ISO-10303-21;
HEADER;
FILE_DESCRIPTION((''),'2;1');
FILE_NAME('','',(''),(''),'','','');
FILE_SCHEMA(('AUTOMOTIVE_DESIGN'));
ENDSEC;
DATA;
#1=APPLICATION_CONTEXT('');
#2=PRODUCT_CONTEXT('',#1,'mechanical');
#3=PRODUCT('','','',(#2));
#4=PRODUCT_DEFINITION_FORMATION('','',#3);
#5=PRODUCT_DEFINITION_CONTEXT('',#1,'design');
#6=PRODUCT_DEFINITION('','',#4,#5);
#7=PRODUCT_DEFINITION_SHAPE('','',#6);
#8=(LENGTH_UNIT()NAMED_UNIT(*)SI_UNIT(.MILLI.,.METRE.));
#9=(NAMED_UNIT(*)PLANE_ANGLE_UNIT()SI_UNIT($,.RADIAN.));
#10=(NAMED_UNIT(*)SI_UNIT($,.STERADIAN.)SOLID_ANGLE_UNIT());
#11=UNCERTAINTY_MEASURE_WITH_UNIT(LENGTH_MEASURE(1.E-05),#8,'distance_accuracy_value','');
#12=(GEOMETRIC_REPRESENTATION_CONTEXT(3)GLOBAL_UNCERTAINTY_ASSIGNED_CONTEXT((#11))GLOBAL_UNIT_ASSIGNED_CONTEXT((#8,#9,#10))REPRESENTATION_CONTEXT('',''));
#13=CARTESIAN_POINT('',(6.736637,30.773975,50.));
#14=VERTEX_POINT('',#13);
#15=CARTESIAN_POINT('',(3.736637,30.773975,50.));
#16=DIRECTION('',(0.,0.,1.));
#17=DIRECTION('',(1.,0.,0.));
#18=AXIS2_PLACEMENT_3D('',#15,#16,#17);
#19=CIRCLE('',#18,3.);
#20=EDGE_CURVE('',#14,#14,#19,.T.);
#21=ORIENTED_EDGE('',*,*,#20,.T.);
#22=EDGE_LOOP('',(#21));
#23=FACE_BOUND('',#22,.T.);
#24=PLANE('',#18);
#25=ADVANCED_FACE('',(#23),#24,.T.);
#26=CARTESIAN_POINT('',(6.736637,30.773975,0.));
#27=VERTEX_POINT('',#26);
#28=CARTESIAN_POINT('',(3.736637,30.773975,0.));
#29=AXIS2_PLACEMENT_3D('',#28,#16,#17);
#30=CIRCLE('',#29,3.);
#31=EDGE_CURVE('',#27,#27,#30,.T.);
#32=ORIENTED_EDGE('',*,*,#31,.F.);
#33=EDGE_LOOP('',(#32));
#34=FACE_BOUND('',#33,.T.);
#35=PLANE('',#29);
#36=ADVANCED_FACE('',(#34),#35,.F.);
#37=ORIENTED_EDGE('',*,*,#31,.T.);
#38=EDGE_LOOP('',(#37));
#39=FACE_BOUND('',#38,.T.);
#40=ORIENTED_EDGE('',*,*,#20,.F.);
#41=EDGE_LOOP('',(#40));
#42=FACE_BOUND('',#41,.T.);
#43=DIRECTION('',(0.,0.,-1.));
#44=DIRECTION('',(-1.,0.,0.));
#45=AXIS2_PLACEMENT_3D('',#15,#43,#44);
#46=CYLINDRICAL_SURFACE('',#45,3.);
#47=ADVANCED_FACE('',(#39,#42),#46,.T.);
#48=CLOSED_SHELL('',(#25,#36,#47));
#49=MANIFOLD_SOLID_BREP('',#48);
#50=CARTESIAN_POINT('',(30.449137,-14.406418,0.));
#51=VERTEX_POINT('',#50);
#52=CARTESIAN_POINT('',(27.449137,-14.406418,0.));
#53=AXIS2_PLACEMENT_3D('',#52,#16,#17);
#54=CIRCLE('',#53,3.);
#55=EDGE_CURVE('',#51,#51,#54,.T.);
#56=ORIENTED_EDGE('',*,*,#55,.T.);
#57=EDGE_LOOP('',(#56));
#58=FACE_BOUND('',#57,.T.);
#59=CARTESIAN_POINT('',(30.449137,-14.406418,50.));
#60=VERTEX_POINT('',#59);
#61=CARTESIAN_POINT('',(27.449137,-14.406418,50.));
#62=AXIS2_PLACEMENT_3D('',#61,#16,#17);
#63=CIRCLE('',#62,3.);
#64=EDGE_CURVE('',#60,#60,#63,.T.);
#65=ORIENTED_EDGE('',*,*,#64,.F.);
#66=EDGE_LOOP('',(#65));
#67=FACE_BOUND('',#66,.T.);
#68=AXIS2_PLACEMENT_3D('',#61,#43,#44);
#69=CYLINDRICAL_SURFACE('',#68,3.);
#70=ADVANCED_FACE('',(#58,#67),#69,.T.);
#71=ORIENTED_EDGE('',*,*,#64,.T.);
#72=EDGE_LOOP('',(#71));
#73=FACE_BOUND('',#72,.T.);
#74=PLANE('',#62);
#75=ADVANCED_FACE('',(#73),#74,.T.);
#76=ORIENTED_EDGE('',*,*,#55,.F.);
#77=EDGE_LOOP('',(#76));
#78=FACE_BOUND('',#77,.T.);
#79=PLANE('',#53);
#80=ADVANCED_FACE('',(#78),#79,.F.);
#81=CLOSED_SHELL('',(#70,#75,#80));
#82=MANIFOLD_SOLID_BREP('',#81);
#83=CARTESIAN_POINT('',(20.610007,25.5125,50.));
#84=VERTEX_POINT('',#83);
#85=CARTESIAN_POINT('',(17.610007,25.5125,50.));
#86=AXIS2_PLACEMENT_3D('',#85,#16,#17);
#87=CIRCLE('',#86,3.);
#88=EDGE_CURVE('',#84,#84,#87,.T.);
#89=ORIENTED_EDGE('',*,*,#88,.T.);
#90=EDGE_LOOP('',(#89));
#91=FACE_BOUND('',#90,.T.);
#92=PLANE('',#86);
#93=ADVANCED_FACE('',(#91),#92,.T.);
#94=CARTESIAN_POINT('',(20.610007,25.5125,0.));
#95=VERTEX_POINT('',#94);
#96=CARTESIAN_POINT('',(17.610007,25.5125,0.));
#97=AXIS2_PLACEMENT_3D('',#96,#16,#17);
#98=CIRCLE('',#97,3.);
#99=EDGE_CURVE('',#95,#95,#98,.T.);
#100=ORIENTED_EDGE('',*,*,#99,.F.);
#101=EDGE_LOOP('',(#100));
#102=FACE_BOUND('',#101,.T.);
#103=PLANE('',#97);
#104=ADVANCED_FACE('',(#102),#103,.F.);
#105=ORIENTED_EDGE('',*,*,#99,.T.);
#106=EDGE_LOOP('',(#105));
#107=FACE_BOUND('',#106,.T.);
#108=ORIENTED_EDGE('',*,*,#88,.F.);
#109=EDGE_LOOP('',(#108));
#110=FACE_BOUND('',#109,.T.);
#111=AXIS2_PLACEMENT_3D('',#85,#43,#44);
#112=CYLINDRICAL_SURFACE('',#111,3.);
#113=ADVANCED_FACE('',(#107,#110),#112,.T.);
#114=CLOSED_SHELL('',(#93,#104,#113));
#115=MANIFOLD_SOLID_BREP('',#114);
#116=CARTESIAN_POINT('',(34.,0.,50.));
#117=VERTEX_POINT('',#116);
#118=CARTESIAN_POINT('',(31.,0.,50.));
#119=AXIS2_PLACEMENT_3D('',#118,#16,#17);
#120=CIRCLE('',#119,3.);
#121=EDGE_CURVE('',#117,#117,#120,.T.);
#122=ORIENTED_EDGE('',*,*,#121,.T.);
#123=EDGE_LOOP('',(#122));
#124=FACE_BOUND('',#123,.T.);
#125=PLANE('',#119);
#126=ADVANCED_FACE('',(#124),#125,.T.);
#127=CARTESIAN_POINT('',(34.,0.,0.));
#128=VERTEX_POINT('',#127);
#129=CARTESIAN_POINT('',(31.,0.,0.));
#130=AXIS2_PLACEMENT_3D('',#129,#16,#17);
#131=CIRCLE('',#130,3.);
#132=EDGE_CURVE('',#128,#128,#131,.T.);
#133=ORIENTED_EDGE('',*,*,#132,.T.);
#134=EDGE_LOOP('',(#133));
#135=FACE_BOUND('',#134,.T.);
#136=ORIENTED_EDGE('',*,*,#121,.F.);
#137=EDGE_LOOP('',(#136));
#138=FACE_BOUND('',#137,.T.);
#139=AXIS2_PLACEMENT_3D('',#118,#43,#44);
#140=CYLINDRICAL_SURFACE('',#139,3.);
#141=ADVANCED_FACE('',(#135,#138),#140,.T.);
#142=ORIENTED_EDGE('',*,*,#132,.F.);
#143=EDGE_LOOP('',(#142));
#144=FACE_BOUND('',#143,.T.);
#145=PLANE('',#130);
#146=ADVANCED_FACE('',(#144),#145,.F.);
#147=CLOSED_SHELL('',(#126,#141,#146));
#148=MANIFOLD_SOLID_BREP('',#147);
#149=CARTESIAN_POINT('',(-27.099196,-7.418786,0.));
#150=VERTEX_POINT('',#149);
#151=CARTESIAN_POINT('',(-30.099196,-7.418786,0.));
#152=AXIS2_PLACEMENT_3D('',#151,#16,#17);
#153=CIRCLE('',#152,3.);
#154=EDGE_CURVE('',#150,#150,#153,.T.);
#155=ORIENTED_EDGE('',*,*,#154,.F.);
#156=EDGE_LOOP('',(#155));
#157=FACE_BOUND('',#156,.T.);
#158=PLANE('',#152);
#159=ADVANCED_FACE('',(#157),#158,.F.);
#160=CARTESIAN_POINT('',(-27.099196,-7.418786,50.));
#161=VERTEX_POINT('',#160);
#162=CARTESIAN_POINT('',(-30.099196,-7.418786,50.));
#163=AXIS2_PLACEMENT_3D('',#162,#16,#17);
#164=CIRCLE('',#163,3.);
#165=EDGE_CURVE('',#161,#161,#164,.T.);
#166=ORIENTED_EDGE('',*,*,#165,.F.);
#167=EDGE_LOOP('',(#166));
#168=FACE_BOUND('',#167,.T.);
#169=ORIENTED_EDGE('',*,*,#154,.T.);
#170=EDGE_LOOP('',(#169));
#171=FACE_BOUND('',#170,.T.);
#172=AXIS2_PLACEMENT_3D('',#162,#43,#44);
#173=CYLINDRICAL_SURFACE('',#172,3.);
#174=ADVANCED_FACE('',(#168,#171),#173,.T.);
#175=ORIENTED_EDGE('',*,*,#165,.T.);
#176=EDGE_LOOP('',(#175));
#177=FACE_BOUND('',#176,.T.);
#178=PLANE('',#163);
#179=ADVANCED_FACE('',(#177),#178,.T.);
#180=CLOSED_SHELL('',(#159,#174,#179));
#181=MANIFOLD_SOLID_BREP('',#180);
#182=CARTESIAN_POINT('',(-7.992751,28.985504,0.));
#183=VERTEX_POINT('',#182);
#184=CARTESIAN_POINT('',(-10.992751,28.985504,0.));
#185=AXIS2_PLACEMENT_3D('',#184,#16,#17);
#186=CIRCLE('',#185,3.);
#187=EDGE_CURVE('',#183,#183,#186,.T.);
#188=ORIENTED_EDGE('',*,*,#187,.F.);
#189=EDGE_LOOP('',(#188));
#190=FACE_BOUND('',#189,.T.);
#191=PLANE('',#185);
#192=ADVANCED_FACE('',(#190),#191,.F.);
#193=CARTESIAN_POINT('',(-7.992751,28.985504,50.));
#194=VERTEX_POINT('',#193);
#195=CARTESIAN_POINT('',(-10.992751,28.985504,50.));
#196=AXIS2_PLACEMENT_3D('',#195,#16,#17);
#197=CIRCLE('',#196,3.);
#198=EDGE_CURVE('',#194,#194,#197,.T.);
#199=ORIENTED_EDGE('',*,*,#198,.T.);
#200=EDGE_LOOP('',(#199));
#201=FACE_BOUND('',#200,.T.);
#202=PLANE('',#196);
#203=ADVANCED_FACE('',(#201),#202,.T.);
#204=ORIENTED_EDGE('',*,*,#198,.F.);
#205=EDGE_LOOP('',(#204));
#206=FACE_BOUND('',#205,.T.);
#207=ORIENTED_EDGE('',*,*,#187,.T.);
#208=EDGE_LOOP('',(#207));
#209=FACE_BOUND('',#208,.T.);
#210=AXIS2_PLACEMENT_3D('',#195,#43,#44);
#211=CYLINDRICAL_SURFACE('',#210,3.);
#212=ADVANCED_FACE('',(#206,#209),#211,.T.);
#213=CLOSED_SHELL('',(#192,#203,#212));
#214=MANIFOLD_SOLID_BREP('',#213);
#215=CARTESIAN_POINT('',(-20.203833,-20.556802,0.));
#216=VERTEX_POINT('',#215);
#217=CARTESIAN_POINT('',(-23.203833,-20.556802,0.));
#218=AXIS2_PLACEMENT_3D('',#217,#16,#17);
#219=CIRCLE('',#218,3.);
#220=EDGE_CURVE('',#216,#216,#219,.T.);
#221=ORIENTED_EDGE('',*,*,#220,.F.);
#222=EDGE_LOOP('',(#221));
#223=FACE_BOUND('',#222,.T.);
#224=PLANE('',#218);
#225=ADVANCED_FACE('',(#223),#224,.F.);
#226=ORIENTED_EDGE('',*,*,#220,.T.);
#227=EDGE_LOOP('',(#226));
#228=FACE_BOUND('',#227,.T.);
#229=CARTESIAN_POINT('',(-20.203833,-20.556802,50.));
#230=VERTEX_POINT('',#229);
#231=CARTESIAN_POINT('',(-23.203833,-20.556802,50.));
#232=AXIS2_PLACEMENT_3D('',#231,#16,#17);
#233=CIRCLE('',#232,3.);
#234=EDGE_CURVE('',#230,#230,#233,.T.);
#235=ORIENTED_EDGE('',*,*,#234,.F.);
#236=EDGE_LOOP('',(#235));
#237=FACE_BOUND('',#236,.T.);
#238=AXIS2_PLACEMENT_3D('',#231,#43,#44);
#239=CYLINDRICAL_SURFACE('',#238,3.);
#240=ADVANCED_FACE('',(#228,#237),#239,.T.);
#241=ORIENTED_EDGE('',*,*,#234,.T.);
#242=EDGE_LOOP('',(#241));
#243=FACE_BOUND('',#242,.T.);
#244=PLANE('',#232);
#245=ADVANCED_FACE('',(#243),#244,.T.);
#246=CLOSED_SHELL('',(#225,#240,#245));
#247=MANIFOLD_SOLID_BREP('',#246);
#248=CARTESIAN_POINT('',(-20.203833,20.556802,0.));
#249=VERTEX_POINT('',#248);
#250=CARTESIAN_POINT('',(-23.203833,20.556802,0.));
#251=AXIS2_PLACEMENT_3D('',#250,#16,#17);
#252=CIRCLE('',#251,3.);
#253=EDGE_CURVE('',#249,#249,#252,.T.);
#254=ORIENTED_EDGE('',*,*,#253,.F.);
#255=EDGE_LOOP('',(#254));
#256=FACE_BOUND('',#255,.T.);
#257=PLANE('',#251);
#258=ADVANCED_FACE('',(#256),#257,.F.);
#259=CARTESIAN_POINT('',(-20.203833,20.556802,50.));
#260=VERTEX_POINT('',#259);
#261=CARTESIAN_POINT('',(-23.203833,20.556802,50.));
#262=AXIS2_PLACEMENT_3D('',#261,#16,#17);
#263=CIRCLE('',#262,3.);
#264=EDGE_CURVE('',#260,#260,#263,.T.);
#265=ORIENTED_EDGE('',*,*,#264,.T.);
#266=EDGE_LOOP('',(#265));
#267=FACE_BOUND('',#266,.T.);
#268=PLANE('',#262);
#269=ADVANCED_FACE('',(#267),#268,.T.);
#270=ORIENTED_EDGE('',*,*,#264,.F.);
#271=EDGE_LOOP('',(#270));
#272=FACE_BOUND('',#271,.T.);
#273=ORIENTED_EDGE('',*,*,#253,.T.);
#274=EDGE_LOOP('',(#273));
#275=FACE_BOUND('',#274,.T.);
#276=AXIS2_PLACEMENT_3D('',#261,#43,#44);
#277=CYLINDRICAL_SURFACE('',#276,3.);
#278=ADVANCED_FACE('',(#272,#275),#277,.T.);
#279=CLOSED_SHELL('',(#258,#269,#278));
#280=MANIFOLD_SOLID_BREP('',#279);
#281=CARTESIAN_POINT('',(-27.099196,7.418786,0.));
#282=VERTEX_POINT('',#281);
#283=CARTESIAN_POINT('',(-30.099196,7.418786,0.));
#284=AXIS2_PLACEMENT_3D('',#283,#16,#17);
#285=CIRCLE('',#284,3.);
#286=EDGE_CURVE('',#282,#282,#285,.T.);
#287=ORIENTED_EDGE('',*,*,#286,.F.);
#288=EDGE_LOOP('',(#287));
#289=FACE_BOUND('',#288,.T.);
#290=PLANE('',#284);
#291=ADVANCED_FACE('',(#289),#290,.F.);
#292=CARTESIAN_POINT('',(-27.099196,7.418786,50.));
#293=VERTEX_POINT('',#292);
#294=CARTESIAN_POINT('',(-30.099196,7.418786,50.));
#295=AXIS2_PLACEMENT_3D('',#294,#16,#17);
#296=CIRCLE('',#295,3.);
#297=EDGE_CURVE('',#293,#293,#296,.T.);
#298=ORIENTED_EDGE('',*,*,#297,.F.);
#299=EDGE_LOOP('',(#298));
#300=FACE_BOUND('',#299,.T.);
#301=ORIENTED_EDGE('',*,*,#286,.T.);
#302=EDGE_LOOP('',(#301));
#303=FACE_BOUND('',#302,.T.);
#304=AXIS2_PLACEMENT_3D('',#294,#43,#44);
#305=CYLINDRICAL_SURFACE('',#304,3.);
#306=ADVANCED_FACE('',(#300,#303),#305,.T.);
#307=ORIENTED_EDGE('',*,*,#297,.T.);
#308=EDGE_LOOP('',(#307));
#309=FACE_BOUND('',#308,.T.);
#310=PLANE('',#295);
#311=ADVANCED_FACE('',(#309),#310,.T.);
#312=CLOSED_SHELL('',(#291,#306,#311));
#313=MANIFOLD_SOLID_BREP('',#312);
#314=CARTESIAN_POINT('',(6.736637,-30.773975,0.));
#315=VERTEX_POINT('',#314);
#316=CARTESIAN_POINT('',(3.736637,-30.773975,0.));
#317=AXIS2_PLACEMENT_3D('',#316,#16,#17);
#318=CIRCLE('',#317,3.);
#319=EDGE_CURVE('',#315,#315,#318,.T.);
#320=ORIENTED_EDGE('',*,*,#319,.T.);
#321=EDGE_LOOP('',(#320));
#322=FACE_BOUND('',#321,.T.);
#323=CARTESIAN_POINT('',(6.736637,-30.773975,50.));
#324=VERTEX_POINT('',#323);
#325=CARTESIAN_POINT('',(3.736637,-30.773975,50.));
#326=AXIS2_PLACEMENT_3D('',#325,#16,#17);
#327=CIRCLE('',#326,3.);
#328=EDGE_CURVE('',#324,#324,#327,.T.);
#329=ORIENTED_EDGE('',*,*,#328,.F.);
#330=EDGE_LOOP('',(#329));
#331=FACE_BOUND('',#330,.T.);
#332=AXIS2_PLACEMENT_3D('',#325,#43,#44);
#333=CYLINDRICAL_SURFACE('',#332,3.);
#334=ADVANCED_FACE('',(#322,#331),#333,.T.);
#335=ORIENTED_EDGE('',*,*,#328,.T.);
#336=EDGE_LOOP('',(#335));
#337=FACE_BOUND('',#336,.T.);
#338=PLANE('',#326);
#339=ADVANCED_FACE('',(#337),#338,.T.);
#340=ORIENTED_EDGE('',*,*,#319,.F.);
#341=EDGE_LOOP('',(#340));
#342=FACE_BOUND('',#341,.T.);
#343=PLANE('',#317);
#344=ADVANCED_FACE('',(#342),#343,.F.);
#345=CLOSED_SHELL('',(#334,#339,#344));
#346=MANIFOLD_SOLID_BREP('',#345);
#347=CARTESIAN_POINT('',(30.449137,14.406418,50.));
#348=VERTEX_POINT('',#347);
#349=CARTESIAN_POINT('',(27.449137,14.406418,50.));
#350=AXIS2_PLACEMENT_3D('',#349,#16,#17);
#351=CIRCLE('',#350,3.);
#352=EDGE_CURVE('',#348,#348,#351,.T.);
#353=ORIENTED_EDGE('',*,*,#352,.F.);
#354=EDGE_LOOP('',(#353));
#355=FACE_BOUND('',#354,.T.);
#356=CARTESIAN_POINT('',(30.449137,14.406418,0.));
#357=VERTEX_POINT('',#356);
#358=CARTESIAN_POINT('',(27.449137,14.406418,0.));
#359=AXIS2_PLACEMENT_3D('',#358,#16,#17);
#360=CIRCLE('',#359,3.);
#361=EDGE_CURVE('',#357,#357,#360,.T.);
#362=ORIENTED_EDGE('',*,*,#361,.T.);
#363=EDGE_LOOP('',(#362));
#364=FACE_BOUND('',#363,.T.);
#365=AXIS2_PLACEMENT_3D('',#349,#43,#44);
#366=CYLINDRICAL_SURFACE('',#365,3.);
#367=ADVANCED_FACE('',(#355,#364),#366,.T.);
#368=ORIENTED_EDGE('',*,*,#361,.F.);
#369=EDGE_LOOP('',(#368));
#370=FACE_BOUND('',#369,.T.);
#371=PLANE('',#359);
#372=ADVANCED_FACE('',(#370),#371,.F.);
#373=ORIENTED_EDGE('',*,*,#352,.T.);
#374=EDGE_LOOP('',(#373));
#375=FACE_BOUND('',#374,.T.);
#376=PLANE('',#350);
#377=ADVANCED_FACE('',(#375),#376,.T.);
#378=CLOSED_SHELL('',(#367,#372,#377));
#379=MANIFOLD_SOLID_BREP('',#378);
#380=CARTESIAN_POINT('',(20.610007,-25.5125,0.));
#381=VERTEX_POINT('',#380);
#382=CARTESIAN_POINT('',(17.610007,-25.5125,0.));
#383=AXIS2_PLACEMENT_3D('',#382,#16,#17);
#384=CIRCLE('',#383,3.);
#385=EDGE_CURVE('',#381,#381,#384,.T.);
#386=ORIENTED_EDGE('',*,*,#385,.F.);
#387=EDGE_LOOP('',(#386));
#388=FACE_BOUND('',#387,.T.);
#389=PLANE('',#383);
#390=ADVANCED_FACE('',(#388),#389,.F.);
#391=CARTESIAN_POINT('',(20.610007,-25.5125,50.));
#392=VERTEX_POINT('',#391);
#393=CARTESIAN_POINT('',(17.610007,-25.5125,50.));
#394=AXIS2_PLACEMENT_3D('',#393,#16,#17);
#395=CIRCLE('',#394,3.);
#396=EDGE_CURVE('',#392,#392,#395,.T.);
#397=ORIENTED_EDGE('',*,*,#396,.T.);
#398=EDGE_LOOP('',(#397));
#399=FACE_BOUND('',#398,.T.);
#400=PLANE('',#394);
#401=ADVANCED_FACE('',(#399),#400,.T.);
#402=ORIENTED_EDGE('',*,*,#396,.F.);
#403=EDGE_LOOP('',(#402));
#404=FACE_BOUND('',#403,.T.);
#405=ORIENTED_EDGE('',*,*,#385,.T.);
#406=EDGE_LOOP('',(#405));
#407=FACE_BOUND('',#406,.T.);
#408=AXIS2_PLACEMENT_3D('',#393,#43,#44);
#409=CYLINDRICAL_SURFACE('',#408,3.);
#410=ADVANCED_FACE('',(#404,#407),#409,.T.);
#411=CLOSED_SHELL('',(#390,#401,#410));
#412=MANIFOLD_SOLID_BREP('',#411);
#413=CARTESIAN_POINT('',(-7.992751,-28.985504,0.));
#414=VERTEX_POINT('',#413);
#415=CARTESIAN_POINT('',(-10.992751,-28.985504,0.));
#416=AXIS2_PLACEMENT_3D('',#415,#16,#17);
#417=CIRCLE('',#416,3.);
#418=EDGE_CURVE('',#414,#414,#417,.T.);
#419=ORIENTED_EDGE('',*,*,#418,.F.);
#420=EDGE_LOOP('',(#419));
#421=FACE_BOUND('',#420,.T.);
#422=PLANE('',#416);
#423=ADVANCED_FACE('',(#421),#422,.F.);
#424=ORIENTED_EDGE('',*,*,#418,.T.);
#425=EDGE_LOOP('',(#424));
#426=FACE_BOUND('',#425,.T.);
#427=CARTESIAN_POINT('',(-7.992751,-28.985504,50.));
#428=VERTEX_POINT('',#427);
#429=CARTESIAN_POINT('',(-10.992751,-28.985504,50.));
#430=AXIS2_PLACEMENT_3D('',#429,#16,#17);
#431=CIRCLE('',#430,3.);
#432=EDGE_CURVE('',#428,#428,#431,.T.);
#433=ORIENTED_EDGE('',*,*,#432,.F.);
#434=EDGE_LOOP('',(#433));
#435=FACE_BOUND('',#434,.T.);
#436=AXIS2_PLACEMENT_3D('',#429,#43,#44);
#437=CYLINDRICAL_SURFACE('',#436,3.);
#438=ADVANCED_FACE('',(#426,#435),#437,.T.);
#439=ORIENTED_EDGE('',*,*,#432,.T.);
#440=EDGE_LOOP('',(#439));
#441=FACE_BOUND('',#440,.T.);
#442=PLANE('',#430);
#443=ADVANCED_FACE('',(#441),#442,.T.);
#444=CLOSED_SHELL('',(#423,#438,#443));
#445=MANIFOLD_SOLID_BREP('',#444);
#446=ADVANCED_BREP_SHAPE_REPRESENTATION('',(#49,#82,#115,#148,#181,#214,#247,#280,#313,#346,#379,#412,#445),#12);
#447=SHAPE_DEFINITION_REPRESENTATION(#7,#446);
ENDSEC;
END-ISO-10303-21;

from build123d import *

# Parameters (mm, degrees)
SKETCH1_R              = 3
BOSS_EXTRUDE1_DEPTH    = 50
BOSS_EXTRUDE1_2_DEPTH  = 50
BOSS_EXTRUDE1_3_DEPTH  = 50
BOSS_EXTRUDE1_4_DEPTH  = 50
BOSS_EXTRUDE1_5_DEPTH  = 50
BOSS_EXTRUDE1_6_DEPTH  = 50
BOSS_EXTRUDE1_7_DEPTH  = 50
BOSS_EXTRUDE1_8_DEPTH  = 50
BOSS_EXTRUDE1_9_DEPTH  = 50
BOSS_EXTRUDE1_10_DEPTH = 50
BOSS_EXTRUDE1_11_DEPTH = 50
BOSS_EXTRUDE1_12_DEPTH = 50
BOSS_EXTRUDE1_13_DEPTH = 50


with BuildPart() as part:
    # Sketch1 → Boss-Extrude1 (new body)
    with BuildSketch(Plane.XY):
        with Locations((31, 0)):
            Circle(SKETCH1_R)
    extrude(amount=BOSS_EXTRUDE1_DEPTH)


with BuildPart() as body_2:
    # Sketch1 → Boss-Extrude1 2 (new body)
    with BuildSketch(Plane.XY):
        with Locations((27.449136795, -14.406418333)):
            Circle(SKETCH1_R)
    extrude(amount=BOSS_EXTRUDE1_2_DEPTH)


with BuildPart() as body_3:
    # Sketch1 → Boss-Extrude1 3 (new body)
    with BuildSketch(Plane.XY):
        with Locations((17.610007149, -25.512499843)):
            Circle(SKETCH1_R)
    extrude(amount=BOSS_EXTRUDE1_3_DEPTH)


with BuildPart() as body_4:
    # Sketch1 → Boss-Extrude1 4 (new body)
    with BuildSketch(Plane.XY):
        with Locations((3.736637088, -30.773975097)):
            Circle(SKETCH1_R)
    extrude(amount=BOSS_EXTRUDE1_4_DEPTH)


with BuildPart() as body_5:
    # Sketch1 → Boss-Extrude1 5 (new body)
    with BuildSketch(Plane.XY):
        with Locations((-10.992751498, -28.985503523)):
            Circle(SKETCH1_R)
    extrude(amount=BOSS_EXTRUDE1_5_DEPTH)


with BuildPart() as body_6:
    # Sketch1 → Boss-Extrude1 6 (new body)
    with BuildSketch(Plane.XY):
        with Locations((-23.203833193, -20.556802405)):
            Circle(SKETCH1_R)
    extrude(amount=BOSS_EXTRUDE1_6_DEPTH)


with BuildPart() as body_7:
    # Sketch1 → Boss-Extrude1 7 (new body)
    with BuildSketch(Plane.XY):
        with Locations((-30.09919634, -7.418785593)):
            Circle(SKETCH1_R)
    extrude(amount=BOSS_EXTRUDE1_7_DEPTH)


with BuildPart() as body_8:
    # Sketch1 → Boss-Extrude1 8 (new body)
    with BuildSketch(Plane.XY):
        with Locations((-30.09919634, 7.418785593)):
            Circle(SKETCH1_R)
    extrude(amount=BOSS_EXTRUDE1_8_DEPTH)


with BuildPart() as body_9:
    # Sketch1 → Boss-Extrude1 9 (new body)
    with BuildSketch(Plane.XY):
        with Locations((-23.203833193, 20.556802405)):
            Circle(SKETCH1_R)
    extrude(amount=BOSS_EXTRUDE1_9_DEPTH)


with BuildPart() as body_10:
    # Sketch1 → Boss-Extrude1 10 (new body)
    with BuildSketch(Plane.XY):
        with Locations((-10.992751498, 28.985503523)):
            Circle(SKETCH1_R)
    extrude(amount=BOSS_EXTRUDE1_10_DEPTH)


with BuildPart() as body_11:
    # Sketch1 → Boss-Extrude1 11 (new body)
    with BuildSketch(Plane.XY):
        with Locations((3.736637088, 30.773975097)):
            Circle(SKETCH1_R)
    extrude(amount=BOSS_EXTRUDE1_11_DEPTH)


with BuildPart() as body_12:
    # Sketch1 → Boss-Extrude1 12 (new body)
    with BuildSketch(Plane.XY):
        with Locations((17.610007149, 25.512499843)):
            Circle(SKETCH1_R)
    extrude(amount=BOSS_EXTRUDE1_12_DEPTH)


with BuildPart() as body_13:
    # Sketch1 → Boss-Extrude1 13 (new body)
    with BuildSketch(Plane.XY):
        with Locations((27.449136795, 14.406418333)):
            Circle(SKETCH1_R)
    extrude(amount=BOSS_EXTRUDE1_13_DEPTH)


solid = Compound([part.part, body_2.part, body_3.part, body_4.part, body_5.part, body_6.part, body_7.part, body_8.part, body_9.part, body_10.part, body_11.part, body_12.part, body_13.part])
